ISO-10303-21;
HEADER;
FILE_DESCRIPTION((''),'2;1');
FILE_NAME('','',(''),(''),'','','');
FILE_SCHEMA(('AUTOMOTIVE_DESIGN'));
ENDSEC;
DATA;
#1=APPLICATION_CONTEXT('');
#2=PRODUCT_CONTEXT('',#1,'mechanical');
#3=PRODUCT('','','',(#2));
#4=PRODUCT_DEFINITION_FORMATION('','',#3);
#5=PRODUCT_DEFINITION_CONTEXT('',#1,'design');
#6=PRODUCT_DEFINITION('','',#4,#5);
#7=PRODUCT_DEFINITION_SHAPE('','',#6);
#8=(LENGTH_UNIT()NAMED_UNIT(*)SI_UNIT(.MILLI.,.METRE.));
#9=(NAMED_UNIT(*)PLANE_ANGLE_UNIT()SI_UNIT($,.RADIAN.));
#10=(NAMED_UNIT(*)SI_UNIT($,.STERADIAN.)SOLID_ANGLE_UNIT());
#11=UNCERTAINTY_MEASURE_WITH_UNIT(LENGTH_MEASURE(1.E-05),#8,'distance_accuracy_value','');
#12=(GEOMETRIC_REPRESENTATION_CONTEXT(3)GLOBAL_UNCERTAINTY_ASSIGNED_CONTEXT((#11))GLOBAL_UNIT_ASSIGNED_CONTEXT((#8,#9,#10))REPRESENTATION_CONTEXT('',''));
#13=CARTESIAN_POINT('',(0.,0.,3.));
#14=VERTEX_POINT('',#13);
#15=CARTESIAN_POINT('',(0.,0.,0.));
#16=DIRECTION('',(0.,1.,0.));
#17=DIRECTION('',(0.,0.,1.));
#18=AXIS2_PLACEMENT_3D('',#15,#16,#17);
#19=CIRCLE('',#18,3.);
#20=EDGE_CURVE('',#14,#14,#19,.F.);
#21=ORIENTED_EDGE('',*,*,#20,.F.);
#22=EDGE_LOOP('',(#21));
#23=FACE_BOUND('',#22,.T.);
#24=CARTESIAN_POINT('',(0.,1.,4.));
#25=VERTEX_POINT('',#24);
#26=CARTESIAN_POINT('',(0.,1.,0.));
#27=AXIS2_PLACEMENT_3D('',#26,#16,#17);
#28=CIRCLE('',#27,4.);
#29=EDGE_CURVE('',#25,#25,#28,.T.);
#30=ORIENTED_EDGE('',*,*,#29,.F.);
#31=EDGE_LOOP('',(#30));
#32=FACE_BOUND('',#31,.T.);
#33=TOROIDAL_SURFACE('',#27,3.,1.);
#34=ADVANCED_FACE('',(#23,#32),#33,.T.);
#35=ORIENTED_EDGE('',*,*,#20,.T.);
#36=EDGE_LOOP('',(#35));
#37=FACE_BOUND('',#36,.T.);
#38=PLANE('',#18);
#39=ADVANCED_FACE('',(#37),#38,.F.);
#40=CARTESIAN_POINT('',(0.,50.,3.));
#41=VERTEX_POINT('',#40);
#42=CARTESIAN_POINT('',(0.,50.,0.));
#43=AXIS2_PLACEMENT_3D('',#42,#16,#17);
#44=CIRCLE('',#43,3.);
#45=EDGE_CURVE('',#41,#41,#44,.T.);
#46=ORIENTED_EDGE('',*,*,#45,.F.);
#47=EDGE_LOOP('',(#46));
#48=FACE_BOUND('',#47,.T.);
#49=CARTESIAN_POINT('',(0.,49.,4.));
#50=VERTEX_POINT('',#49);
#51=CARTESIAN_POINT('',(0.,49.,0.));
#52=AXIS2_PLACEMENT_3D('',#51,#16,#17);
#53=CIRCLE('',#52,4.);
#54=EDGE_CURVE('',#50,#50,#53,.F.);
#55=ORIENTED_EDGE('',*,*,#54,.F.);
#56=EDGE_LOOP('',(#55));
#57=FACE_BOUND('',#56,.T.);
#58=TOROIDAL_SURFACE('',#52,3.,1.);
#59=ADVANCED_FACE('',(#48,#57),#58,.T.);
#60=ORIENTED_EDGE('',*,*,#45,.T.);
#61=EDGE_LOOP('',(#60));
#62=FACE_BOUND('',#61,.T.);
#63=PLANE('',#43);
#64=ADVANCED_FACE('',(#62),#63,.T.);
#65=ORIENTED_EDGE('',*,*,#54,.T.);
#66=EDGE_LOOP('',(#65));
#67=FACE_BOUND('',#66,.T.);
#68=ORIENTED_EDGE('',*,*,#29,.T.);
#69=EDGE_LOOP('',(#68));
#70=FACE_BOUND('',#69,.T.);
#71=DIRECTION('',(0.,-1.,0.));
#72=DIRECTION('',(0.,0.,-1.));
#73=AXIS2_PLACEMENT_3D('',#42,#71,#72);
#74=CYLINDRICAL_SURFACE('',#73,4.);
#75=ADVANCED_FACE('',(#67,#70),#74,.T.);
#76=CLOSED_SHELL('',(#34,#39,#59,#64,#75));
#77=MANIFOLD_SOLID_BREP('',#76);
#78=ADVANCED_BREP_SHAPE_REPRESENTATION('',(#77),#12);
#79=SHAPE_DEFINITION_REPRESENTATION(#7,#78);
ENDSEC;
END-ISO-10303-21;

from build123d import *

# Parameters (mm, degrees)
SKETCH1_R           = 4
BOSS_EXTRUDE1_DEPTH = 50
FILLET1_R           = 1
FILLET2_R           = 1


with BuildPart() as part:
    # Sketch1 → Boss-Extrude1 (new body)
    with BuildSketch(Plane(origin=(0, 0, 0), x_dir=(1, 0, 0), z_dir=(0, 1, 0))):
        Circle(SKETCH1_R)
    extrude(amount=BOSS_EXTRUDE1_DEPTH)

    # Fillet1
    fillet1_edges = [part.edges().sort_by_distance(p)[0] for p in [
        (-4, 50, 0),
    ]]
    fillet(fillet1_edges, radius=FILLET1_R)

    # Fillet2
    fillet2_edges = [part.edges().sort_by_distance(p)[0] for p in [
        (-4, 0, 0),
    ]]
    fillet(fillet2_edges, radius=FILLET2_R)


solid = part.part
